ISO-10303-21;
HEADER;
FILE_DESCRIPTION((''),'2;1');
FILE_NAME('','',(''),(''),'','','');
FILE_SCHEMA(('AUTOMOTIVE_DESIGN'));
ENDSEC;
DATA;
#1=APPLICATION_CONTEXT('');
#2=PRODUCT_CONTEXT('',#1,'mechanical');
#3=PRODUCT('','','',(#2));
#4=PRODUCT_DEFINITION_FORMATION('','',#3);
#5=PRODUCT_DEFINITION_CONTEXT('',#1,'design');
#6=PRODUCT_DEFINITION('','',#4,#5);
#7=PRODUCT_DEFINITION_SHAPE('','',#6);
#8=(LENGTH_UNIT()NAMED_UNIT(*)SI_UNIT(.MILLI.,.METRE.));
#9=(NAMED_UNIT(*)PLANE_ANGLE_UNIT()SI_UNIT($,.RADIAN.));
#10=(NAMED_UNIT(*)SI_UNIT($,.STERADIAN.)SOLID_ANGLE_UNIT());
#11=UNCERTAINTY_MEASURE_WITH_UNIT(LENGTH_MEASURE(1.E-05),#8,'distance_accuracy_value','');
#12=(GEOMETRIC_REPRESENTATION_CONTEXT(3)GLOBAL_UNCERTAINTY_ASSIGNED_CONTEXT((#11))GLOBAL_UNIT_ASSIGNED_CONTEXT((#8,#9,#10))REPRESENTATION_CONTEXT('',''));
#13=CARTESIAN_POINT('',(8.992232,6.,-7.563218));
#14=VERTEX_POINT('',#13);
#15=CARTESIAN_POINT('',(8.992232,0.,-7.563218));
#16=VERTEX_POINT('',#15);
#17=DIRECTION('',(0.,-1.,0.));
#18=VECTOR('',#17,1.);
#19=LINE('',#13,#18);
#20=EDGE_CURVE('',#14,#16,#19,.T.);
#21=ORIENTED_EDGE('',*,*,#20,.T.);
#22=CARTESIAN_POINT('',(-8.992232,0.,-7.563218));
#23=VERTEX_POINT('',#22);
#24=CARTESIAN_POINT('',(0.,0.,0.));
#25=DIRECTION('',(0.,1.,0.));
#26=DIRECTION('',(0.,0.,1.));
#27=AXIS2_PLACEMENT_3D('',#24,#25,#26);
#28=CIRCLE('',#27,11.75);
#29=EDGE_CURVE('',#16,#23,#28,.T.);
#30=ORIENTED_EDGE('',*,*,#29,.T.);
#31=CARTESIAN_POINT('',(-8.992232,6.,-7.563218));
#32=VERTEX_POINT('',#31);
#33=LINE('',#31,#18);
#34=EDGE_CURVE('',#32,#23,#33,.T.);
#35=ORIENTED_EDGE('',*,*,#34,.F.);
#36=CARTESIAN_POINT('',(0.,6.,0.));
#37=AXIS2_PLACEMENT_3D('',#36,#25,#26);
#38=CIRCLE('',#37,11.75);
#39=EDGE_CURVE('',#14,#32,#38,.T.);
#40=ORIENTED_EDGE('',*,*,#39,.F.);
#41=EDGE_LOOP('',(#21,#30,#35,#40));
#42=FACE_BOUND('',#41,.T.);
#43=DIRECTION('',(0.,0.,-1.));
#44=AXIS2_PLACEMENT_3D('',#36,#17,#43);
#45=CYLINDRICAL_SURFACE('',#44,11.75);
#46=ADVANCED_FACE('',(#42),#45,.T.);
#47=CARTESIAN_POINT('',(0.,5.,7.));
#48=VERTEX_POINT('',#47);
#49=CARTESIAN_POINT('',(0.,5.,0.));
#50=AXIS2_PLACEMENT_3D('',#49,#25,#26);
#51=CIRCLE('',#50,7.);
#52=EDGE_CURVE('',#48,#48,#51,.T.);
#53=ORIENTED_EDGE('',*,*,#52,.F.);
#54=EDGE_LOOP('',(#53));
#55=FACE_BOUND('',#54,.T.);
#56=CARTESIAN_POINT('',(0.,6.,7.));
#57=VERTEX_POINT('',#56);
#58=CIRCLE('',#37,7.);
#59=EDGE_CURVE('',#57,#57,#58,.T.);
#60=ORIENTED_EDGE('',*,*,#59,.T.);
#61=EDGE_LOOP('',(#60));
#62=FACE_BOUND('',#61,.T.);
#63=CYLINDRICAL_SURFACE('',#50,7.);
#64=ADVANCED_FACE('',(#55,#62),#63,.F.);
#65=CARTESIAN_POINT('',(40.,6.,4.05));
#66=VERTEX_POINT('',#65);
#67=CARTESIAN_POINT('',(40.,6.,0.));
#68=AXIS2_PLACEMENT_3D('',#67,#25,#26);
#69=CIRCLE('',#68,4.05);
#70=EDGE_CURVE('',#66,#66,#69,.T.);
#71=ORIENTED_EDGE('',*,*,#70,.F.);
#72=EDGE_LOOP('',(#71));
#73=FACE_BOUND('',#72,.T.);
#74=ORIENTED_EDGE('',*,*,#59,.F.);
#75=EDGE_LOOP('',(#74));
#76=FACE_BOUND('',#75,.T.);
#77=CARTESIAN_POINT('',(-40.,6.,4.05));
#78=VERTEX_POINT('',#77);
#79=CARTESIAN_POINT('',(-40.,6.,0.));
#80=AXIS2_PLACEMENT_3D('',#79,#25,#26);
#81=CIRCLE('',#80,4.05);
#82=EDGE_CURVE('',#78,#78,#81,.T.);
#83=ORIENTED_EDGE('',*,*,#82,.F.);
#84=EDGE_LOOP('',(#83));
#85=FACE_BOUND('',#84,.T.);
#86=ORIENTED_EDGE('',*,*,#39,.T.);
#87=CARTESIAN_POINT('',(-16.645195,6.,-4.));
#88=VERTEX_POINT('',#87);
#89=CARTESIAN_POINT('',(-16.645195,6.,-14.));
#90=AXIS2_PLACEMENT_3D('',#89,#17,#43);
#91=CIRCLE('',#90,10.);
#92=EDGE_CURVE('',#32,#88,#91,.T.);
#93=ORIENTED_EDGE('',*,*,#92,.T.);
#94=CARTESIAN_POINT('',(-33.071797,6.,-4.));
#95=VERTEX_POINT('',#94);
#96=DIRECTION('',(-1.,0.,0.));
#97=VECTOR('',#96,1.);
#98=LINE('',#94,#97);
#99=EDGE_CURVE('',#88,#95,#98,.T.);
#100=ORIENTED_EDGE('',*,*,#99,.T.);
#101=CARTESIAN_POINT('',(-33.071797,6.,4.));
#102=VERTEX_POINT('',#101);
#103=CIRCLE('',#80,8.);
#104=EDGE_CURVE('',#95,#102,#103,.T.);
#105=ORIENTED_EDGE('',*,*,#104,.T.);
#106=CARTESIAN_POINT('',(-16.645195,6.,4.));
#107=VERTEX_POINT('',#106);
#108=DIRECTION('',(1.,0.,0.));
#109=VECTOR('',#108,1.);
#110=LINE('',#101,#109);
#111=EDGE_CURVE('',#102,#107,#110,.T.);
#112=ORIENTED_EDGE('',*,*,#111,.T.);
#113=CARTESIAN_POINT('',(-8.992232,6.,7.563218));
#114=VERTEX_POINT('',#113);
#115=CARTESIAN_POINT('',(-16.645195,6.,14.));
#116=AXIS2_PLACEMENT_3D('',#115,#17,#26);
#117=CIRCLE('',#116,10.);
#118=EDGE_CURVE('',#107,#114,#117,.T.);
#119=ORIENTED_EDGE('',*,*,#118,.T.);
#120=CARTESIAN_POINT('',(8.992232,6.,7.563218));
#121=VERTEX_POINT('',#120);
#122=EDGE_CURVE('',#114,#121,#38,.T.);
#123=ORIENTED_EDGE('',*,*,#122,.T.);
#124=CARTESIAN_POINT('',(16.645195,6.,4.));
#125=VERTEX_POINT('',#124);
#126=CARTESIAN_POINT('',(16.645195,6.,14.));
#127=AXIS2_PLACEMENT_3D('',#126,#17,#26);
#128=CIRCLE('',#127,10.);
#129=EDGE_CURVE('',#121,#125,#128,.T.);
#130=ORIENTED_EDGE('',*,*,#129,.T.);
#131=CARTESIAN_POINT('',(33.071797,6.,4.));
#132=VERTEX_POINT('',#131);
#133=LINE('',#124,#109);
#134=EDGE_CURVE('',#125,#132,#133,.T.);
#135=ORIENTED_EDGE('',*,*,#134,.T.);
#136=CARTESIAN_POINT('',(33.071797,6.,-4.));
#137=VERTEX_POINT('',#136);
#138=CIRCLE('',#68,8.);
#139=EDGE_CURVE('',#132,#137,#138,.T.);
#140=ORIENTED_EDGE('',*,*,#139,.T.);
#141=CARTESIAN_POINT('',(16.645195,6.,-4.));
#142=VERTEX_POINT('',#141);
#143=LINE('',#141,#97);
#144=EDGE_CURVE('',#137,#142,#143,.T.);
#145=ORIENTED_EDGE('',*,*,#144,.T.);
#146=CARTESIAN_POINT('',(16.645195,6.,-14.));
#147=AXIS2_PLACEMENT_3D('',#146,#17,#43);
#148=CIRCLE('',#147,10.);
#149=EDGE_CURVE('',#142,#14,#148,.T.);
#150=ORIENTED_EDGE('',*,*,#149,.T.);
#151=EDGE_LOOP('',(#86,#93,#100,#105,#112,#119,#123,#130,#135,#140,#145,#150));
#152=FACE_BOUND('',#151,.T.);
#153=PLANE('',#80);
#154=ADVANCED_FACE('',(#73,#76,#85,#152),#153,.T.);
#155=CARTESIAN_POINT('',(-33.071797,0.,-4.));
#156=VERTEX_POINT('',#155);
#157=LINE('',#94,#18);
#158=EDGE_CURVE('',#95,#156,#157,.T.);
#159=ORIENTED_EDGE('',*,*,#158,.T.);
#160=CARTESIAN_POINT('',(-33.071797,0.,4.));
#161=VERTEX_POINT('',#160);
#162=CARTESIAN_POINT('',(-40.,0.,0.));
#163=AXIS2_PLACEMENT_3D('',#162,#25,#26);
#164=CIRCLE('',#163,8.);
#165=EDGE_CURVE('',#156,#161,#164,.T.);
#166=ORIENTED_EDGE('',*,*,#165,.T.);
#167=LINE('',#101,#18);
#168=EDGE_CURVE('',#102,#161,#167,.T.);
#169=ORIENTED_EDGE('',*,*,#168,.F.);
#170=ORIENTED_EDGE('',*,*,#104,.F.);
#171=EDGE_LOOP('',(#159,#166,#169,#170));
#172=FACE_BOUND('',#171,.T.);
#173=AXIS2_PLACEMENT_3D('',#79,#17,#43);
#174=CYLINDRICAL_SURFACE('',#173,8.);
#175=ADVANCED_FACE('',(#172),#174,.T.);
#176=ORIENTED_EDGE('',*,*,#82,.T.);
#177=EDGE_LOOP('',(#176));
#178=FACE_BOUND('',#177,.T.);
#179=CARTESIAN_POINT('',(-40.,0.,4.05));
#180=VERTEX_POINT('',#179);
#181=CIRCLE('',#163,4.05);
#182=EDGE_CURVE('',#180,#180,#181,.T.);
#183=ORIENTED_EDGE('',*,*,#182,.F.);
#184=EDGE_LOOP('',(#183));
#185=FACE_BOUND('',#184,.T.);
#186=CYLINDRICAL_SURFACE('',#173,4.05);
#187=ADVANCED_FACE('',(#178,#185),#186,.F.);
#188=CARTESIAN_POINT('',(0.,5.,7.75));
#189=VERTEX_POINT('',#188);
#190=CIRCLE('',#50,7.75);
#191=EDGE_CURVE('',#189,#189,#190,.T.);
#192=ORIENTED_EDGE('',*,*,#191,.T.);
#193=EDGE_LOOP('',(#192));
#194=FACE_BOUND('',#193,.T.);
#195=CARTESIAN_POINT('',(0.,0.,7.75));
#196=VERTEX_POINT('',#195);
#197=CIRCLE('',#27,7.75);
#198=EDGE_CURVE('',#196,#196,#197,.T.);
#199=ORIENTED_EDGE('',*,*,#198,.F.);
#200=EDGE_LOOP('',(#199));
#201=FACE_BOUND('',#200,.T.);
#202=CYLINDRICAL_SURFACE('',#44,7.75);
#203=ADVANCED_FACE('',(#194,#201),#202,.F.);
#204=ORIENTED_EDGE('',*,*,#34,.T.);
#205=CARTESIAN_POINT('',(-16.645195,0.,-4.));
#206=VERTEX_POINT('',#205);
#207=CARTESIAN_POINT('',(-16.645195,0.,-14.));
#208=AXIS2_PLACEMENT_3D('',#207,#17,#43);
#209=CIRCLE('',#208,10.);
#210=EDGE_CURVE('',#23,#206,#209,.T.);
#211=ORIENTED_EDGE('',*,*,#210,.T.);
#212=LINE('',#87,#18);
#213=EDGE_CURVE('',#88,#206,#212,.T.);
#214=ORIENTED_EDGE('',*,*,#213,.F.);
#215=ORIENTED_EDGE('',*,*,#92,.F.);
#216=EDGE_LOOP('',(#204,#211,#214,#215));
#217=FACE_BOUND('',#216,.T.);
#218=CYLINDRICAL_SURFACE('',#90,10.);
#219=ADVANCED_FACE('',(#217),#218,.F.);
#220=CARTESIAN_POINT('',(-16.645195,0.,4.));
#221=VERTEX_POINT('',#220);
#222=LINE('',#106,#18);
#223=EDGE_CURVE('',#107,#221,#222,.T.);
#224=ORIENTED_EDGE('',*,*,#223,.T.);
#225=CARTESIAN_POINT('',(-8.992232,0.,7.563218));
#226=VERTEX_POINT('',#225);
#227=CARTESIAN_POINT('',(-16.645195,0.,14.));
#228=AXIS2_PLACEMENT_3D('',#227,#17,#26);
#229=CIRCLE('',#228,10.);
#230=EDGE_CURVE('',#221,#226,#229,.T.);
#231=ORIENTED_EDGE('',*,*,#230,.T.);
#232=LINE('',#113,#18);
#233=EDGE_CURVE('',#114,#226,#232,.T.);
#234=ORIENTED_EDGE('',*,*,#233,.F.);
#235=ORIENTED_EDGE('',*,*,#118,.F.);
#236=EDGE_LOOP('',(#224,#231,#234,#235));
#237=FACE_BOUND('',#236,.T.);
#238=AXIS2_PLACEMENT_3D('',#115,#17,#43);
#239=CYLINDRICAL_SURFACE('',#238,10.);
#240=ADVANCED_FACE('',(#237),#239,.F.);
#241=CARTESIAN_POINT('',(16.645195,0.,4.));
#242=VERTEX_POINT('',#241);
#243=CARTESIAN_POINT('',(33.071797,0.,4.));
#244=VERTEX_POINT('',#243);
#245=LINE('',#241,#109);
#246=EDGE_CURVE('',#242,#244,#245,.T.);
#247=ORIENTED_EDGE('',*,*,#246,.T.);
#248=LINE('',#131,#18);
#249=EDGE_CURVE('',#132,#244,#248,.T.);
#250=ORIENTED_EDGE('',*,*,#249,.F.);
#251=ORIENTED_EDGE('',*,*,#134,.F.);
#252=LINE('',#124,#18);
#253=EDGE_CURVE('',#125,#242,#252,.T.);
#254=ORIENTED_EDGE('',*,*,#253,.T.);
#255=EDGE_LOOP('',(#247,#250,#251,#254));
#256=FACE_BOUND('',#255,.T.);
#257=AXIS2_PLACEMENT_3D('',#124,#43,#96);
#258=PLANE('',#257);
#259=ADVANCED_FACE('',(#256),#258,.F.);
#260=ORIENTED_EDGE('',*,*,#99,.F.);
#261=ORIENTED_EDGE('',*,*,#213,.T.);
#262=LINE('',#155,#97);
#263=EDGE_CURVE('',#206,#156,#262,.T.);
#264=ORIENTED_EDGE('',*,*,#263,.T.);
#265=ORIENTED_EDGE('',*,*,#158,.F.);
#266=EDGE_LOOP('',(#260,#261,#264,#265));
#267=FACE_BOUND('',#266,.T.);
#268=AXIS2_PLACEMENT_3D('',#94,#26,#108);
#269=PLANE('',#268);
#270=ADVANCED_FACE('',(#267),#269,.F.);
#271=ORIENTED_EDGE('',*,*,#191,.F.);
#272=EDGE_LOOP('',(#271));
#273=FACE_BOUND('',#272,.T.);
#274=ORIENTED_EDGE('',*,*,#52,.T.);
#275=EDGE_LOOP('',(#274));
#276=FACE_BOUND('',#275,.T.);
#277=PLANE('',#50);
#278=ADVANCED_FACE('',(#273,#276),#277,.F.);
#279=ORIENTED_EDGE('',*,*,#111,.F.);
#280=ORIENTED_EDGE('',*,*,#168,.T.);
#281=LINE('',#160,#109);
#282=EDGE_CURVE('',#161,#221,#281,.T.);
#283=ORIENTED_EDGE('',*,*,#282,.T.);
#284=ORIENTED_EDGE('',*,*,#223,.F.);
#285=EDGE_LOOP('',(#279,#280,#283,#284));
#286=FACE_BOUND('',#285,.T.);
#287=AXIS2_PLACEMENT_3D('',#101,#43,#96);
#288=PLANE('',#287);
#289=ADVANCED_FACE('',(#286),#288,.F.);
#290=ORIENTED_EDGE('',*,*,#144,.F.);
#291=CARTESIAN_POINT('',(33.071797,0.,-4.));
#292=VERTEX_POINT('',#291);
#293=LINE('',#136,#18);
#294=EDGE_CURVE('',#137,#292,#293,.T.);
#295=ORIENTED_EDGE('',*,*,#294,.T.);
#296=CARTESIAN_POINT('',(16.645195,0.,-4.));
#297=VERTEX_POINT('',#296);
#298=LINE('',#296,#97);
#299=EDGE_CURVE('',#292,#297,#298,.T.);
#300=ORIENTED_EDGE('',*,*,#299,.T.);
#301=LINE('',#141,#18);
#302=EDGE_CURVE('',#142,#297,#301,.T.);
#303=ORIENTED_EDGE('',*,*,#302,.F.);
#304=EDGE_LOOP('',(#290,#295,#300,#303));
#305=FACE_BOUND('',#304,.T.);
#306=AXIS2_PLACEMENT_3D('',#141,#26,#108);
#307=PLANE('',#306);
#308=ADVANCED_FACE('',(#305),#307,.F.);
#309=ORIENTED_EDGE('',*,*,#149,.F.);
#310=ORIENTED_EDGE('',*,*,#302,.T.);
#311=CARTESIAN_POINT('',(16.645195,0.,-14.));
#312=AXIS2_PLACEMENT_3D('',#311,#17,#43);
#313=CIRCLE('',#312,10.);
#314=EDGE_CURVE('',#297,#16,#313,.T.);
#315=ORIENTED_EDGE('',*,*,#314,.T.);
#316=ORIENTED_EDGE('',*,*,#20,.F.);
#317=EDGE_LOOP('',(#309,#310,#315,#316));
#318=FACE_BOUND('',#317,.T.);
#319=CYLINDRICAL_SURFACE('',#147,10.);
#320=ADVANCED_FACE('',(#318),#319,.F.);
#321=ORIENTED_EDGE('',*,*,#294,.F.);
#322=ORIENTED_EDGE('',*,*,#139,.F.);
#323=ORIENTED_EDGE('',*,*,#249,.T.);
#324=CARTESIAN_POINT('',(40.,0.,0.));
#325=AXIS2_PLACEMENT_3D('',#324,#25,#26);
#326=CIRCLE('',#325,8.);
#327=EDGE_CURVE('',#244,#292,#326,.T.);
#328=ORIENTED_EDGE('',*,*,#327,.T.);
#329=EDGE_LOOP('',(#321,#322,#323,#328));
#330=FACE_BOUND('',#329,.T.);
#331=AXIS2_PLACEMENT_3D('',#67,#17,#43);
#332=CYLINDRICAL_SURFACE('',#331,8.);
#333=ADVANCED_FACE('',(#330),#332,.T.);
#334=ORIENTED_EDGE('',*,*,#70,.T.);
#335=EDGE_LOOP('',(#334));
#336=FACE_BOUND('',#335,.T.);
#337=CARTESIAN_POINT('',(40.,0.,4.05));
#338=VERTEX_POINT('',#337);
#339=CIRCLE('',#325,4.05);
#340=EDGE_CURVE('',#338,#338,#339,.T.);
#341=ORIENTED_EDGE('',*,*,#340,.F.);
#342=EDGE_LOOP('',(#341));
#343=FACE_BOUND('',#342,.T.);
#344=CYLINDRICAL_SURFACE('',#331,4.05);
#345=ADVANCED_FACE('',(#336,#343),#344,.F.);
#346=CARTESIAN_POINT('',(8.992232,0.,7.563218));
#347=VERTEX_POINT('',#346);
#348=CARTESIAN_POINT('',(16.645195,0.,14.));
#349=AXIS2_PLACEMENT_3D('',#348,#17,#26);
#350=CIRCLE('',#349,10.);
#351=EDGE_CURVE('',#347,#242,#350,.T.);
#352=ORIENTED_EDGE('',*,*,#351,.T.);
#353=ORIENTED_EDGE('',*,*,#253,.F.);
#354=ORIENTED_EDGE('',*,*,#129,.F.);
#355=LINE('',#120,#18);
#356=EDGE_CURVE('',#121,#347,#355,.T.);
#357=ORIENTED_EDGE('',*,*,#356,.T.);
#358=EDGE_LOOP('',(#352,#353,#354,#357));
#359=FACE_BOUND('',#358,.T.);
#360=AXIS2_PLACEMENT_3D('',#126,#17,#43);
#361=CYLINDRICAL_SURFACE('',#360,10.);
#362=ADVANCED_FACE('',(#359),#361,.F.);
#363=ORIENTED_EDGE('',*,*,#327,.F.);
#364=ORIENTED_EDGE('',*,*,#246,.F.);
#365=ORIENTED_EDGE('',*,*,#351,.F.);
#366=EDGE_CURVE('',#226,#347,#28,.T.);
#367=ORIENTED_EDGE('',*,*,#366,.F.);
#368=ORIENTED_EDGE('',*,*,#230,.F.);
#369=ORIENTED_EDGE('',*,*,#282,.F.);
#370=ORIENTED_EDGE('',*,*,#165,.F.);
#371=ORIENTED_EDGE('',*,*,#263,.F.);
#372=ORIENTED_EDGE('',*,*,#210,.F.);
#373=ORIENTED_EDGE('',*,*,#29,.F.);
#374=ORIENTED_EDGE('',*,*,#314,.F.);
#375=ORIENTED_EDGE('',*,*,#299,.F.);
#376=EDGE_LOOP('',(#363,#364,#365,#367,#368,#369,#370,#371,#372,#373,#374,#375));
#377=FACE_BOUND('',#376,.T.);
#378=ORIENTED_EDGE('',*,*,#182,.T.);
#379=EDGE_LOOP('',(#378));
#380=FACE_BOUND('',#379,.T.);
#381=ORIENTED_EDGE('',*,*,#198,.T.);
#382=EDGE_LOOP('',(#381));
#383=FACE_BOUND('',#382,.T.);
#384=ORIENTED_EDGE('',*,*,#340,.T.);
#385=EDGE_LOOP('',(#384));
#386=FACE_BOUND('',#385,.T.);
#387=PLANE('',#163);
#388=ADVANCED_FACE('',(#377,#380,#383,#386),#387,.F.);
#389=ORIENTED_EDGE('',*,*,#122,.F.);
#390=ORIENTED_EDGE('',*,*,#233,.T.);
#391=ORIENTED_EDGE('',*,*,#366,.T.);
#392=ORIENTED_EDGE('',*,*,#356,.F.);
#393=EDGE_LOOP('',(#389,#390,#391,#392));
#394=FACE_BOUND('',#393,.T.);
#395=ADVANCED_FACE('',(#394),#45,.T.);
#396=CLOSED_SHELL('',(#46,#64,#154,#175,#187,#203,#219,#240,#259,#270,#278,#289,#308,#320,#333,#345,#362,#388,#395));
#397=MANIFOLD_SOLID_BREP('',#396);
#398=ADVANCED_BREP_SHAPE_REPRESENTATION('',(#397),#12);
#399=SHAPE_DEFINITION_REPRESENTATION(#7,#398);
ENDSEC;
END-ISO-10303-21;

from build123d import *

# Parameters (mm, degrees)
ESBO_O1_R                = 4.05
ESBO_O1_R_2              = 7.75
RESSALTO_EXTRUS_O1_DEPTH = 6
RESSALTO_EXTRUS_O2_START = -1
ESBO_O2_R                = 7.75
ESBO_O2_R_2              = 7
RESSALTO_EXTRUS_O2_DEPTH = 1


with BuildPart() as part:
    # Esboço1 → Ressalto-extrusão1 (new body)
    with BuildSketch(Plane(origin=(0, 0, 0), x_dir=(1, 0, 0), z_dir=(0, 1, 0))):
        with BuildLine():
            Line((-33.07179677, 4), (-16.645194502, 4))
            ThreePointArc((-16.645194502, 4), (-12.424283231, 4.934465926), (-8.992231512, 7.563218391))
            ThreePointArc((-8.992231512, 7.563218391), (0, 11.75), (8.992231512, 7.563218391))
            ThreePointArc((8.992231512, 7.563218391), (12.424283231, 4.934465926), (16.645194502, 4))
            Line((16.645194502, 4), (33.07179677, 4))
            ThreePointArc((33.07179677, 4), (48, 0), (33.07179677, -4))
            Line((33.07179677, -4), (16.645194502, -4))
            ThreePointArc((16.645194502, -4), (12.424283231, -4.934465926), (8.992231512, -7.563218391))
            ThreePointArc((8.992231512, -7.563218391), (0, -11.75), (-8.992231512, -7.563218391))
            ThreePointArc((-8.992231512, -7.563218391), (-12.424283231, -4.934465926), (-16.645194502, -4))
            Line((-16.645194502, -4), (-33.07179677, -4))
            ThreePointArc((-33.07179677, -4), (-48, 0), (-33.07179677, 4))
        make_face()
        with Locations(Location((40, 0, 0), (0, 0, 270))):
            Circle(ESBO_O1_R, mode=Mode.SUBTRACT)
        with Locations(Location((-40, 0, 0), (0, 0, 270))):
            Circle(ESBO_O1_R, mode=Mode.SUBTRACT)
        with Locations(Location((0, 0, 0), (0, 0, 270))):
            Circle(ESBO_O1_R_2, mode=Mode.SUBTRACT)
    extrude(amount=RESSALTO_EXTRUS_O1_DEPTH)

    # Esboço2 → Ressalto-extrusão2 (add)
    with BuildSketch(Plane(origin=(0, 6, 0), x_dir=(1, 0, 0), z_dir=(0, 1, 0)).offset(RESSALTO_EXTRUS_O2_START)):
        with Locations(Location((0, 0, 0), (0, 0, 270))):
            Circle(ESBO_O2_R)
        with Locations(Location((0, 0, 0), (0, 0, 270))):
            Circle(ESBO_O2_R_2, mode=Mode.SUBTRACT)
    extrude(amount=RESSALTO_EXTRUS_O2_DEPTH)


solid = part.part
